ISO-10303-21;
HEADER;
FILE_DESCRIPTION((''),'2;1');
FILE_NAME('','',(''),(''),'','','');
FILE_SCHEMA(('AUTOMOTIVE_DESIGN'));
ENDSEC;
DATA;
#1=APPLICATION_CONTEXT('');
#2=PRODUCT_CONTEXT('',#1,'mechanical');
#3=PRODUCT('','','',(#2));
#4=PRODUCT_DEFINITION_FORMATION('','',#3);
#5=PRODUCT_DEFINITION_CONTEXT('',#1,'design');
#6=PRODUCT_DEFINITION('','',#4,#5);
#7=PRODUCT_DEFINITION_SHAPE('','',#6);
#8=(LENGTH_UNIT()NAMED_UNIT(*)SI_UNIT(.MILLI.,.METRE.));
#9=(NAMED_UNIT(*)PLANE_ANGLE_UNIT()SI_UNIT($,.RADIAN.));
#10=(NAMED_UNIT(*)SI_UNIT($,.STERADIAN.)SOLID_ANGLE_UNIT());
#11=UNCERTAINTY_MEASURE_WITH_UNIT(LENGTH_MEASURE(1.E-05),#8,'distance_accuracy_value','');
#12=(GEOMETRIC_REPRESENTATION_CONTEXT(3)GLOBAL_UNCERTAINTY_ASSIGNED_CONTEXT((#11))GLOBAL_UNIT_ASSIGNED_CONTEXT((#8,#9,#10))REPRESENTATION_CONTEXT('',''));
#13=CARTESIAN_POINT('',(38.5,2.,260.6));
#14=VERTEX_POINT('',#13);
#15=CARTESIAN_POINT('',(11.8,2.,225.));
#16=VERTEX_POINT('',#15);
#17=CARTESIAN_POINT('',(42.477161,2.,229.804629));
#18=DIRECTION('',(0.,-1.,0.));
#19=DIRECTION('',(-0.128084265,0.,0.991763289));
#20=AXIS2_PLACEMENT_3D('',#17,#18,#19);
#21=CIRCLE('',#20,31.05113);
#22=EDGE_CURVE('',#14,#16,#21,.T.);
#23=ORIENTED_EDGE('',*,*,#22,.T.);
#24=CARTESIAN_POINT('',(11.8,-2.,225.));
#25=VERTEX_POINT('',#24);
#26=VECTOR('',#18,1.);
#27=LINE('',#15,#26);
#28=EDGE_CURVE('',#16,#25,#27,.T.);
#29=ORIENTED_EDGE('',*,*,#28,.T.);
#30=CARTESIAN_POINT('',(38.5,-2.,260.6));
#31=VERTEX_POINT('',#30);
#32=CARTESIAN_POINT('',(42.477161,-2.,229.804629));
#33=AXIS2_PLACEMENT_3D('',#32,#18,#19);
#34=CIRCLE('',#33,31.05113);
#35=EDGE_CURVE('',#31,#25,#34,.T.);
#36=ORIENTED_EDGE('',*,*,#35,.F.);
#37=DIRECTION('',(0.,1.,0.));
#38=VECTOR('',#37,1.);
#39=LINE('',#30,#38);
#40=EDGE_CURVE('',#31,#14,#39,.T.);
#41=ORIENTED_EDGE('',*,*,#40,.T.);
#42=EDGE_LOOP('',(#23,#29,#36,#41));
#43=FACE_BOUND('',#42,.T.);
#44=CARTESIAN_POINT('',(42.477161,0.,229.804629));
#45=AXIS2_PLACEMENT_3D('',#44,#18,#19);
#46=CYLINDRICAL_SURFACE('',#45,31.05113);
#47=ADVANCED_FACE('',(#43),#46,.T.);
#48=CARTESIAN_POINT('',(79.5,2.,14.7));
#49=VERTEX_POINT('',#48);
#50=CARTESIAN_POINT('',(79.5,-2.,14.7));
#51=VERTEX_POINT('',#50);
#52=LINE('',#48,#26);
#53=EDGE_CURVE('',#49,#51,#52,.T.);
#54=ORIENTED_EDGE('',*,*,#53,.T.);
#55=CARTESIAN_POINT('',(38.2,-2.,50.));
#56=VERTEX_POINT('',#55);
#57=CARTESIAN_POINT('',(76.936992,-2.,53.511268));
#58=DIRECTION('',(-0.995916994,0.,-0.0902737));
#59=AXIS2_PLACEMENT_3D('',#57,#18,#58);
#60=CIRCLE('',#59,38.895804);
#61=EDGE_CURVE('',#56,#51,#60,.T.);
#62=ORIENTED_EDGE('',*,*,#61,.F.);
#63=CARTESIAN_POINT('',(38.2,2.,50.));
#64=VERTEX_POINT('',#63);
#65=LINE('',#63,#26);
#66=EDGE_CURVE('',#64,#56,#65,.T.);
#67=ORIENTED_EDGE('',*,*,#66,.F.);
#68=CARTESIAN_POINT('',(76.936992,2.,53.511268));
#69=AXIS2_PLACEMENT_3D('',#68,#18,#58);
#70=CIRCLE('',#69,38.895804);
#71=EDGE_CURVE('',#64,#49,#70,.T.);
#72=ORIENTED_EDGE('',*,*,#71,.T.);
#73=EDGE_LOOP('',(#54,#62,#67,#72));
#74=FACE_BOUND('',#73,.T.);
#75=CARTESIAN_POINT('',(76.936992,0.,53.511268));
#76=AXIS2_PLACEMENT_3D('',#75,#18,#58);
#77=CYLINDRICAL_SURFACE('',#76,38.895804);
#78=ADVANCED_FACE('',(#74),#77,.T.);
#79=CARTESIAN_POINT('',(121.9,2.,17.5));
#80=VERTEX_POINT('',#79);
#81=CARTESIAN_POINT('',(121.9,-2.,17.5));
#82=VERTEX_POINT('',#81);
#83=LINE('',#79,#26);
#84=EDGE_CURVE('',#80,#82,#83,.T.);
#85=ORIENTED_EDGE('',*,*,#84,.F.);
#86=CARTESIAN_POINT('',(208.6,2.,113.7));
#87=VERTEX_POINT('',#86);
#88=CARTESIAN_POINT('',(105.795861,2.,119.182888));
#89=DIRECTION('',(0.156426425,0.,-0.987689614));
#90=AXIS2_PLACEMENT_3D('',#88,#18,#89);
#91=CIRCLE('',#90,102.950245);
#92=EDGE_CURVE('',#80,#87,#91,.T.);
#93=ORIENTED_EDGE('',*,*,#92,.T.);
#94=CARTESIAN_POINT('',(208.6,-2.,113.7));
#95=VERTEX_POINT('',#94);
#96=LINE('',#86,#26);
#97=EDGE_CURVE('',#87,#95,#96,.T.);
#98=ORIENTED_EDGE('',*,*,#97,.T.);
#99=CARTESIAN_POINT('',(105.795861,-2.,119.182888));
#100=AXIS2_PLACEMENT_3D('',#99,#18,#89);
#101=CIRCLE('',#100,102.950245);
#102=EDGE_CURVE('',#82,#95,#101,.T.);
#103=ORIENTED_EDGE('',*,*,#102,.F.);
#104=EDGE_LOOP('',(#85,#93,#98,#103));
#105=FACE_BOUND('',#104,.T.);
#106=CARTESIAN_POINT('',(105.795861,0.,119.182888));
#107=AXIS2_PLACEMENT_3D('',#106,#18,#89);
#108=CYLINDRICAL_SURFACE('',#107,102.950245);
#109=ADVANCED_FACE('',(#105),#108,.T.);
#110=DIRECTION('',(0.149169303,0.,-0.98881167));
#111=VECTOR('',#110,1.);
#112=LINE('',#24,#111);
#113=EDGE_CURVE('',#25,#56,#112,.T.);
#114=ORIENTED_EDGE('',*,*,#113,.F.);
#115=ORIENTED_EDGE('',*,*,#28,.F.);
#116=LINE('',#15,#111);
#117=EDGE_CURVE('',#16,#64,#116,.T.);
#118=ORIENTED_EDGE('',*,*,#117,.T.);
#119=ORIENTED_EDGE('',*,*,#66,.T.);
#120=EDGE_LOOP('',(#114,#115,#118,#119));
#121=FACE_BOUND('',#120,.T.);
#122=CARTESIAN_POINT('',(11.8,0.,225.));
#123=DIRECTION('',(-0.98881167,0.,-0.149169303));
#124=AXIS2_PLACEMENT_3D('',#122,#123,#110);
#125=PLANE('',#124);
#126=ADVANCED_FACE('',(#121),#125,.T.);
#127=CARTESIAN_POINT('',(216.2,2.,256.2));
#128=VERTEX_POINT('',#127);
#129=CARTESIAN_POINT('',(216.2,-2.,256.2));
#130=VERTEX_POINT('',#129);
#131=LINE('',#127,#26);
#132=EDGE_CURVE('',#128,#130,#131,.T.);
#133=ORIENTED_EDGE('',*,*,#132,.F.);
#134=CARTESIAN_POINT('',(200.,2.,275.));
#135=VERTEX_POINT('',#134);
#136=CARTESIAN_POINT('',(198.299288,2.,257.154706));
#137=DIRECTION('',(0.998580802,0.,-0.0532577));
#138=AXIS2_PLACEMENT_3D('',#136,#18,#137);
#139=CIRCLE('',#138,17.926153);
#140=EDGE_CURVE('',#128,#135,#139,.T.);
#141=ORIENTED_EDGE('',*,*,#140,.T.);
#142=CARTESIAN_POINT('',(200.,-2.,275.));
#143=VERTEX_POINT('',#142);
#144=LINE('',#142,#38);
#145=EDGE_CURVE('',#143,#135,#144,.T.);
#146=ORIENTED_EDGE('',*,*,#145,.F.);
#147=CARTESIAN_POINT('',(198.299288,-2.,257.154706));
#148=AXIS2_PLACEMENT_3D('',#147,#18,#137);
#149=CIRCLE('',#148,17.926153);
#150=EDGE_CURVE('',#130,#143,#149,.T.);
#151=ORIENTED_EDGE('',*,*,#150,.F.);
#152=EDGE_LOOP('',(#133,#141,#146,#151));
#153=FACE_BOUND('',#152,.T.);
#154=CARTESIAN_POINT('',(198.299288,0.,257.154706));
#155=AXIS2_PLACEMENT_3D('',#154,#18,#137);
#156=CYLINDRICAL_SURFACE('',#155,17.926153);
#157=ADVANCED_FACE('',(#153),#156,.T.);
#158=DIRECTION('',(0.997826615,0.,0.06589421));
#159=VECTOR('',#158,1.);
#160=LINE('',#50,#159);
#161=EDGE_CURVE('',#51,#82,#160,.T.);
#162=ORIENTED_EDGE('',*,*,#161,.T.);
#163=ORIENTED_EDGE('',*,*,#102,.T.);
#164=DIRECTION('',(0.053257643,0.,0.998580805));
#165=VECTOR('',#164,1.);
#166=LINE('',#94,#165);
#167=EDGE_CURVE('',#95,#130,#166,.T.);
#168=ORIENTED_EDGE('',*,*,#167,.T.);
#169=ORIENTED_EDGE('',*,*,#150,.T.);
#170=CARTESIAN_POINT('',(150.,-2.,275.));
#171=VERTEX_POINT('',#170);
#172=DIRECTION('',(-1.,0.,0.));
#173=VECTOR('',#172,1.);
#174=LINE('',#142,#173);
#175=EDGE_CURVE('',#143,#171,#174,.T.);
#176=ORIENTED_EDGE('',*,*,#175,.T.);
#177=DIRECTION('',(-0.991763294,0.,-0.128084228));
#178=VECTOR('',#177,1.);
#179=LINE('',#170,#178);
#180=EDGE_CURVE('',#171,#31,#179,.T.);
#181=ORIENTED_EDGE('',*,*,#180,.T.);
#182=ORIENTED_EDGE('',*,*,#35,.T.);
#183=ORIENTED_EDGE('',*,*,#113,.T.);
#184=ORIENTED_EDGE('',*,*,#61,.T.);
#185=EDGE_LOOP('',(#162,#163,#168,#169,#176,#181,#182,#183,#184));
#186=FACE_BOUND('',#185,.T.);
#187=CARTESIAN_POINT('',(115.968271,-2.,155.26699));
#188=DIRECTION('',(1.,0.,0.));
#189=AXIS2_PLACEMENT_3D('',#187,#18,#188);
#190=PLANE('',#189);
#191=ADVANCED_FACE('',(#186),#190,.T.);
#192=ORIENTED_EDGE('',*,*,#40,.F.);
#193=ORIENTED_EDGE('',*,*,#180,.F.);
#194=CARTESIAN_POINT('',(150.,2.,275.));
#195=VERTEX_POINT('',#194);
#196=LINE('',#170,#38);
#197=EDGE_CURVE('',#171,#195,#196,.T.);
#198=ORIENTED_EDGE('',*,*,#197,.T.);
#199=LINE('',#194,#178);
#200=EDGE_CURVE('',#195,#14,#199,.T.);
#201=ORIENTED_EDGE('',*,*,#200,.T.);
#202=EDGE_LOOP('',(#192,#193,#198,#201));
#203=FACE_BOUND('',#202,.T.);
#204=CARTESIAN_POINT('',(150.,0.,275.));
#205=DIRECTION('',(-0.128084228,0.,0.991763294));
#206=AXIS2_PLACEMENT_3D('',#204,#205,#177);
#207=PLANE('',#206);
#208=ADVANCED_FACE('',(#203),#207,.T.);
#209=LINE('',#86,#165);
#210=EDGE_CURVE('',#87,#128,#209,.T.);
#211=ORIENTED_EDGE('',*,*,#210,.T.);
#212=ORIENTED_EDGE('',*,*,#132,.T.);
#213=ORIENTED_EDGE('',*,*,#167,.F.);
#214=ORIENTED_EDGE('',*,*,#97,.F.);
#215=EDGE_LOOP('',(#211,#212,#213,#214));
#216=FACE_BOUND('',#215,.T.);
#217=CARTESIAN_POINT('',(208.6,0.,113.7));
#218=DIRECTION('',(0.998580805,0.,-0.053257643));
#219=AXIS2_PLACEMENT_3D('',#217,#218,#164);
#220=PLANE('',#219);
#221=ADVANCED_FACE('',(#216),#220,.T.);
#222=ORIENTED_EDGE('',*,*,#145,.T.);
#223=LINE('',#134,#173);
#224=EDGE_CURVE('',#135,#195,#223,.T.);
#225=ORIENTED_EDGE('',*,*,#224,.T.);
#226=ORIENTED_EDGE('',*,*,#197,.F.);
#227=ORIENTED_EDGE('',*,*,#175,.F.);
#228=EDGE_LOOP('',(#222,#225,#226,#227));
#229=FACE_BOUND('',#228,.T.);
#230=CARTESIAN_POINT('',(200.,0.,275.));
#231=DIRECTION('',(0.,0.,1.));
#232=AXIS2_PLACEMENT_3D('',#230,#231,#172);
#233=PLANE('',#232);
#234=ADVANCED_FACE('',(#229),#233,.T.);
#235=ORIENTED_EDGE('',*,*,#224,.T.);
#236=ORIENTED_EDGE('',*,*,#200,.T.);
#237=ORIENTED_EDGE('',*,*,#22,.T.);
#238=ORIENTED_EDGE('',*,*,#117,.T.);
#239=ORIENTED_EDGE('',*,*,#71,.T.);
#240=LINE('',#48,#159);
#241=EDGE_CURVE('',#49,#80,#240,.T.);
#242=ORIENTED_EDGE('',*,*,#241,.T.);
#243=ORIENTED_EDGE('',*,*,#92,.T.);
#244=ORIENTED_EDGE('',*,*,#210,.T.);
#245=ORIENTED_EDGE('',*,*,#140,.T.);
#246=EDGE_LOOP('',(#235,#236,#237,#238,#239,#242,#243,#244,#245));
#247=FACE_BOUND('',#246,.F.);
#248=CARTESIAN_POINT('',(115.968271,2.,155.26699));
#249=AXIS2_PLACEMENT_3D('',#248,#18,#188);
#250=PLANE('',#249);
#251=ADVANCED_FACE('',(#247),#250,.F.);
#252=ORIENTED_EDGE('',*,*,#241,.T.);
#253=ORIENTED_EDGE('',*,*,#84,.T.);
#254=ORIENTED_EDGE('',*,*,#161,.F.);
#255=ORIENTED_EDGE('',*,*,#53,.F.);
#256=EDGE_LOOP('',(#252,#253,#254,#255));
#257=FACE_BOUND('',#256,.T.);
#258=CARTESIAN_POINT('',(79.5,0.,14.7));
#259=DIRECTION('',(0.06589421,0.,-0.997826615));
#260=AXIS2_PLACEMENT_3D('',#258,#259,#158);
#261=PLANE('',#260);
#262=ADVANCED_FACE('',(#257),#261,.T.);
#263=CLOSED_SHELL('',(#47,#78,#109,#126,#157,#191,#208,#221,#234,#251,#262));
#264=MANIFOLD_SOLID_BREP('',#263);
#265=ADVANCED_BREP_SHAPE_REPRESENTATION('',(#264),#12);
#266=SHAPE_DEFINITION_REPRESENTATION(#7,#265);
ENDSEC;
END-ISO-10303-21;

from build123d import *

# Parameters (mm, degrees)
F2_DEPTH      = 2
F2_DEPTH_BACK = 2


with BuildPart() as f2:
    # F1 (on Front) → F2 (new body, two sides)
    with BuildSketch(Plane.XZ) as f2_sk:
        with BuildLine():
            ThreePointArc((38.5, 260.6), (17.636257, 248.435307), (11.8, 225))
            Line((11.8, 225), (38.2, 50))
            ThreePointArc((38.2, 50), (51.665233, 23.944027), (79.5, 14.7))
            Line((79.5, 14.7), (121.9, 17.5))
            ThreePointArc((121.9, 17.5), (182.270724, 50.260117), (208.6, 113.7))
            Line((208.6, 113.7), (216.2, 256.2))
            ThreePointArc((216.2, 256.2), (211.879198, 268.856543), (200, 275))
            Line((200, 275), (150, 275))
            Line((150, 275), (38.5, 260.6))
        make_face()
    extrude(amount=F2_DEPTH)
    extrude(f2_sk.sketch, amount=-F2_DEPTH_BACK)


solid = f2.part
